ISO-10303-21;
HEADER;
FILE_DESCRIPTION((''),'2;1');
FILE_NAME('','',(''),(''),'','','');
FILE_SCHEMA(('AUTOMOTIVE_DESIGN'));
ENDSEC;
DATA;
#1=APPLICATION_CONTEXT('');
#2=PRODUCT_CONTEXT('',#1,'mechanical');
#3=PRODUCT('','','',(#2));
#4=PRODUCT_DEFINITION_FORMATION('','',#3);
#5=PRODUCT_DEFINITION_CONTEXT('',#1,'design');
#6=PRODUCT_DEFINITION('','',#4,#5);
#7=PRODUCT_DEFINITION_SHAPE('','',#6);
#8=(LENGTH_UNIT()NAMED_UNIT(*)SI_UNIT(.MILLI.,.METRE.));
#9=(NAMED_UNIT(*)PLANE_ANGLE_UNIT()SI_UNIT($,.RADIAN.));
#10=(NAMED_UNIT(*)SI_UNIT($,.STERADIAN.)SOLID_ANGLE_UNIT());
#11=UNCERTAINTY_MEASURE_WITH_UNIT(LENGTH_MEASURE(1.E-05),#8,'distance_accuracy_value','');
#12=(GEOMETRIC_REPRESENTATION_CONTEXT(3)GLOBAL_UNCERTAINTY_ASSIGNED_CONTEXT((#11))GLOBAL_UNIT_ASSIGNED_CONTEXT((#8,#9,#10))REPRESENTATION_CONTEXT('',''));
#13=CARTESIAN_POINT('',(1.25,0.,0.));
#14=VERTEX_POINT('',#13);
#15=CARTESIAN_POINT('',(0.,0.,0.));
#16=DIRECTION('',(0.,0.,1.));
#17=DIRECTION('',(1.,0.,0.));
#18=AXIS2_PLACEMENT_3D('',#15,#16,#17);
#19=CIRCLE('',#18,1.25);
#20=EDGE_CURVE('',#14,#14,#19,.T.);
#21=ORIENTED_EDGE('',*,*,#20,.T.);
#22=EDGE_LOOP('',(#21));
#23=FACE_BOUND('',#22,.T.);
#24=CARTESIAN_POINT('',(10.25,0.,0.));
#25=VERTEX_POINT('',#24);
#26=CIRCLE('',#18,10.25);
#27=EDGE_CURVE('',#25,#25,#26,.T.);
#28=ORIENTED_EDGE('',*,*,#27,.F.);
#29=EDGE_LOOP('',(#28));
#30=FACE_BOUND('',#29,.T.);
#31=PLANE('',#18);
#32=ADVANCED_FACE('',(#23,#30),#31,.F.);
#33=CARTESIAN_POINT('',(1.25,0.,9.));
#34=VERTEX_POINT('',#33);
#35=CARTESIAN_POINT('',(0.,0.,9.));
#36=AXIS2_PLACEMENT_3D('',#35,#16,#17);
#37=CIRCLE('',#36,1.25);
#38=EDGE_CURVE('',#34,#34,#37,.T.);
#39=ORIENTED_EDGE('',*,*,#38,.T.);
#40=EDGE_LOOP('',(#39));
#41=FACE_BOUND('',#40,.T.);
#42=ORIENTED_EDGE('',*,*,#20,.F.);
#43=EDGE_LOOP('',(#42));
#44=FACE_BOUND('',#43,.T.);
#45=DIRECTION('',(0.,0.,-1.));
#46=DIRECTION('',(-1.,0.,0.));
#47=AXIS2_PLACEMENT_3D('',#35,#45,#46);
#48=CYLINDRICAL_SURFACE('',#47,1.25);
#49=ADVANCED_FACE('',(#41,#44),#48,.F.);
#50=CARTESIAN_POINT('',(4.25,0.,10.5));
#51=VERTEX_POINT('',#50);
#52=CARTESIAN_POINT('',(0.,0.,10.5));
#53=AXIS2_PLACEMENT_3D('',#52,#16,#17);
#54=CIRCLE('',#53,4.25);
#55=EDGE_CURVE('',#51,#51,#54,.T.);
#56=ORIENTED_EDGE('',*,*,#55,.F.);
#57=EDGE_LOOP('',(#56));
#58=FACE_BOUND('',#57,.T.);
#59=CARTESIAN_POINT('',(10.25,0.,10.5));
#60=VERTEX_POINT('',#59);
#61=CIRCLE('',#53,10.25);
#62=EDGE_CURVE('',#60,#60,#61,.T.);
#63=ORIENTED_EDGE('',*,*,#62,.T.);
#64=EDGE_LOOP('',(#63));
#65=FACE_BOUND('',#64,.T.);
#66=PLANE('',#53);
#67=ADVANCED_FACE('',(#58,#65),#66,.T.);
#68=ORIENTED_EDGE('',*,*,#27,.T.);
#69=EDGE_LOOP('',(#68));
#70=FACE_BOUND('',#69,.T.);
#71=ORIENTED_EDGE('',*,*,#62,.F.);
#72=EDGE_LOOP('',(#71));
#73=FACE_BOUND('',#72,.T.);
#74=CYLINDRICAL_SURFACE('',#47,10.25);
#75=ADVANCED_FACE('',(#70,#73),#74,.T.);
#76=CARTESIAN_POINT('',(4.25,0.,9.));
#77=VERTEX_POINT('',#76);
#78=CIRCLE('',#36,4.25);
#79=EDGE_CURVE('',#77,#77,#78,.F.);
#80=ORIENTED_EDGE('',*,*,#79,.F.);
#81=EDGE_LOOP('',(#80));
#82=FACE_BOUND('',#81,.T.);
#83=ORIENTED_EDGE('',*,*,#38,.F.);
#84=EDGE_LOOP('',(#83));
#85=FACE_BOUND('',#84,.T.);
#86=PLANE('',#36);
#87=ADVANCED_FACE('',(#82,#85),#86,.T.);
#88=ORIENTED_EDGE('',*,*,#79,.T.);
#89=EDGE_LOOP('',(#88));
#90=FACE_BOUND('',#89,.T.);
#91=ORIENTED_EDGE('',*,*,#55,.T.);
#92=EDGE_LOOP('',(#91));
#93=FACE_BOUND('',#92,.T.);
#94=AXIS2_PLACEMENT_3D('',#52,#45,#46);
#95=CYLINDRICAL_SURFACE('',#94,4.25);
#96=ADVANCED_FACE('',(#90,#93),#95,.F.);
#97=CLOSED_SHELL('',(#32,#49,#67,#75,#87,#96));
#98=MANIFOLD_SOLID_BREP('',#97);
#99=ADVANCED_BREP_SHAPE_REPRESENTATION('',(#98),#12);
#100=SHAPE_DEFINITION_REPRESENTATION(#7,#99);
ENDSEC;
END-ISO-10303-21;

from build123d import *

# Parameters (mm, degrees)
SKETCH_1_R      = 10.25
SKETCH_1_R_2    = 1.25
EXTRUDE_1_DEPTH = 9
SKETCH_2_R      = 10.25
SKETCH_2_R_2    = 4.25
EXTRUDE_2_DEPTH = 1.5


with BuildPart() as part:
    # 草圖1 → 填料-伸長1 (new body)
    with BuildSketch(Plane.XY):
        Circle(SKETCH_1_R)
        Circle(SKETCH_1_R_2, mode=Mode.SUBTRACT)
    extrude(amount=EXTRUDE_1_DEPTH)

    # 草圖2 → 填料-伸長2 (add)
    with BuildSketch(Plane.XY.offset(9)):
        Circle(SKETCH_2_R)
        Circle(SKETCH_2_R_2, mode=Mode.SUBTRACT)
    extrude(amount=EXTRUDE_2_DEPTH)


solid = part.part
